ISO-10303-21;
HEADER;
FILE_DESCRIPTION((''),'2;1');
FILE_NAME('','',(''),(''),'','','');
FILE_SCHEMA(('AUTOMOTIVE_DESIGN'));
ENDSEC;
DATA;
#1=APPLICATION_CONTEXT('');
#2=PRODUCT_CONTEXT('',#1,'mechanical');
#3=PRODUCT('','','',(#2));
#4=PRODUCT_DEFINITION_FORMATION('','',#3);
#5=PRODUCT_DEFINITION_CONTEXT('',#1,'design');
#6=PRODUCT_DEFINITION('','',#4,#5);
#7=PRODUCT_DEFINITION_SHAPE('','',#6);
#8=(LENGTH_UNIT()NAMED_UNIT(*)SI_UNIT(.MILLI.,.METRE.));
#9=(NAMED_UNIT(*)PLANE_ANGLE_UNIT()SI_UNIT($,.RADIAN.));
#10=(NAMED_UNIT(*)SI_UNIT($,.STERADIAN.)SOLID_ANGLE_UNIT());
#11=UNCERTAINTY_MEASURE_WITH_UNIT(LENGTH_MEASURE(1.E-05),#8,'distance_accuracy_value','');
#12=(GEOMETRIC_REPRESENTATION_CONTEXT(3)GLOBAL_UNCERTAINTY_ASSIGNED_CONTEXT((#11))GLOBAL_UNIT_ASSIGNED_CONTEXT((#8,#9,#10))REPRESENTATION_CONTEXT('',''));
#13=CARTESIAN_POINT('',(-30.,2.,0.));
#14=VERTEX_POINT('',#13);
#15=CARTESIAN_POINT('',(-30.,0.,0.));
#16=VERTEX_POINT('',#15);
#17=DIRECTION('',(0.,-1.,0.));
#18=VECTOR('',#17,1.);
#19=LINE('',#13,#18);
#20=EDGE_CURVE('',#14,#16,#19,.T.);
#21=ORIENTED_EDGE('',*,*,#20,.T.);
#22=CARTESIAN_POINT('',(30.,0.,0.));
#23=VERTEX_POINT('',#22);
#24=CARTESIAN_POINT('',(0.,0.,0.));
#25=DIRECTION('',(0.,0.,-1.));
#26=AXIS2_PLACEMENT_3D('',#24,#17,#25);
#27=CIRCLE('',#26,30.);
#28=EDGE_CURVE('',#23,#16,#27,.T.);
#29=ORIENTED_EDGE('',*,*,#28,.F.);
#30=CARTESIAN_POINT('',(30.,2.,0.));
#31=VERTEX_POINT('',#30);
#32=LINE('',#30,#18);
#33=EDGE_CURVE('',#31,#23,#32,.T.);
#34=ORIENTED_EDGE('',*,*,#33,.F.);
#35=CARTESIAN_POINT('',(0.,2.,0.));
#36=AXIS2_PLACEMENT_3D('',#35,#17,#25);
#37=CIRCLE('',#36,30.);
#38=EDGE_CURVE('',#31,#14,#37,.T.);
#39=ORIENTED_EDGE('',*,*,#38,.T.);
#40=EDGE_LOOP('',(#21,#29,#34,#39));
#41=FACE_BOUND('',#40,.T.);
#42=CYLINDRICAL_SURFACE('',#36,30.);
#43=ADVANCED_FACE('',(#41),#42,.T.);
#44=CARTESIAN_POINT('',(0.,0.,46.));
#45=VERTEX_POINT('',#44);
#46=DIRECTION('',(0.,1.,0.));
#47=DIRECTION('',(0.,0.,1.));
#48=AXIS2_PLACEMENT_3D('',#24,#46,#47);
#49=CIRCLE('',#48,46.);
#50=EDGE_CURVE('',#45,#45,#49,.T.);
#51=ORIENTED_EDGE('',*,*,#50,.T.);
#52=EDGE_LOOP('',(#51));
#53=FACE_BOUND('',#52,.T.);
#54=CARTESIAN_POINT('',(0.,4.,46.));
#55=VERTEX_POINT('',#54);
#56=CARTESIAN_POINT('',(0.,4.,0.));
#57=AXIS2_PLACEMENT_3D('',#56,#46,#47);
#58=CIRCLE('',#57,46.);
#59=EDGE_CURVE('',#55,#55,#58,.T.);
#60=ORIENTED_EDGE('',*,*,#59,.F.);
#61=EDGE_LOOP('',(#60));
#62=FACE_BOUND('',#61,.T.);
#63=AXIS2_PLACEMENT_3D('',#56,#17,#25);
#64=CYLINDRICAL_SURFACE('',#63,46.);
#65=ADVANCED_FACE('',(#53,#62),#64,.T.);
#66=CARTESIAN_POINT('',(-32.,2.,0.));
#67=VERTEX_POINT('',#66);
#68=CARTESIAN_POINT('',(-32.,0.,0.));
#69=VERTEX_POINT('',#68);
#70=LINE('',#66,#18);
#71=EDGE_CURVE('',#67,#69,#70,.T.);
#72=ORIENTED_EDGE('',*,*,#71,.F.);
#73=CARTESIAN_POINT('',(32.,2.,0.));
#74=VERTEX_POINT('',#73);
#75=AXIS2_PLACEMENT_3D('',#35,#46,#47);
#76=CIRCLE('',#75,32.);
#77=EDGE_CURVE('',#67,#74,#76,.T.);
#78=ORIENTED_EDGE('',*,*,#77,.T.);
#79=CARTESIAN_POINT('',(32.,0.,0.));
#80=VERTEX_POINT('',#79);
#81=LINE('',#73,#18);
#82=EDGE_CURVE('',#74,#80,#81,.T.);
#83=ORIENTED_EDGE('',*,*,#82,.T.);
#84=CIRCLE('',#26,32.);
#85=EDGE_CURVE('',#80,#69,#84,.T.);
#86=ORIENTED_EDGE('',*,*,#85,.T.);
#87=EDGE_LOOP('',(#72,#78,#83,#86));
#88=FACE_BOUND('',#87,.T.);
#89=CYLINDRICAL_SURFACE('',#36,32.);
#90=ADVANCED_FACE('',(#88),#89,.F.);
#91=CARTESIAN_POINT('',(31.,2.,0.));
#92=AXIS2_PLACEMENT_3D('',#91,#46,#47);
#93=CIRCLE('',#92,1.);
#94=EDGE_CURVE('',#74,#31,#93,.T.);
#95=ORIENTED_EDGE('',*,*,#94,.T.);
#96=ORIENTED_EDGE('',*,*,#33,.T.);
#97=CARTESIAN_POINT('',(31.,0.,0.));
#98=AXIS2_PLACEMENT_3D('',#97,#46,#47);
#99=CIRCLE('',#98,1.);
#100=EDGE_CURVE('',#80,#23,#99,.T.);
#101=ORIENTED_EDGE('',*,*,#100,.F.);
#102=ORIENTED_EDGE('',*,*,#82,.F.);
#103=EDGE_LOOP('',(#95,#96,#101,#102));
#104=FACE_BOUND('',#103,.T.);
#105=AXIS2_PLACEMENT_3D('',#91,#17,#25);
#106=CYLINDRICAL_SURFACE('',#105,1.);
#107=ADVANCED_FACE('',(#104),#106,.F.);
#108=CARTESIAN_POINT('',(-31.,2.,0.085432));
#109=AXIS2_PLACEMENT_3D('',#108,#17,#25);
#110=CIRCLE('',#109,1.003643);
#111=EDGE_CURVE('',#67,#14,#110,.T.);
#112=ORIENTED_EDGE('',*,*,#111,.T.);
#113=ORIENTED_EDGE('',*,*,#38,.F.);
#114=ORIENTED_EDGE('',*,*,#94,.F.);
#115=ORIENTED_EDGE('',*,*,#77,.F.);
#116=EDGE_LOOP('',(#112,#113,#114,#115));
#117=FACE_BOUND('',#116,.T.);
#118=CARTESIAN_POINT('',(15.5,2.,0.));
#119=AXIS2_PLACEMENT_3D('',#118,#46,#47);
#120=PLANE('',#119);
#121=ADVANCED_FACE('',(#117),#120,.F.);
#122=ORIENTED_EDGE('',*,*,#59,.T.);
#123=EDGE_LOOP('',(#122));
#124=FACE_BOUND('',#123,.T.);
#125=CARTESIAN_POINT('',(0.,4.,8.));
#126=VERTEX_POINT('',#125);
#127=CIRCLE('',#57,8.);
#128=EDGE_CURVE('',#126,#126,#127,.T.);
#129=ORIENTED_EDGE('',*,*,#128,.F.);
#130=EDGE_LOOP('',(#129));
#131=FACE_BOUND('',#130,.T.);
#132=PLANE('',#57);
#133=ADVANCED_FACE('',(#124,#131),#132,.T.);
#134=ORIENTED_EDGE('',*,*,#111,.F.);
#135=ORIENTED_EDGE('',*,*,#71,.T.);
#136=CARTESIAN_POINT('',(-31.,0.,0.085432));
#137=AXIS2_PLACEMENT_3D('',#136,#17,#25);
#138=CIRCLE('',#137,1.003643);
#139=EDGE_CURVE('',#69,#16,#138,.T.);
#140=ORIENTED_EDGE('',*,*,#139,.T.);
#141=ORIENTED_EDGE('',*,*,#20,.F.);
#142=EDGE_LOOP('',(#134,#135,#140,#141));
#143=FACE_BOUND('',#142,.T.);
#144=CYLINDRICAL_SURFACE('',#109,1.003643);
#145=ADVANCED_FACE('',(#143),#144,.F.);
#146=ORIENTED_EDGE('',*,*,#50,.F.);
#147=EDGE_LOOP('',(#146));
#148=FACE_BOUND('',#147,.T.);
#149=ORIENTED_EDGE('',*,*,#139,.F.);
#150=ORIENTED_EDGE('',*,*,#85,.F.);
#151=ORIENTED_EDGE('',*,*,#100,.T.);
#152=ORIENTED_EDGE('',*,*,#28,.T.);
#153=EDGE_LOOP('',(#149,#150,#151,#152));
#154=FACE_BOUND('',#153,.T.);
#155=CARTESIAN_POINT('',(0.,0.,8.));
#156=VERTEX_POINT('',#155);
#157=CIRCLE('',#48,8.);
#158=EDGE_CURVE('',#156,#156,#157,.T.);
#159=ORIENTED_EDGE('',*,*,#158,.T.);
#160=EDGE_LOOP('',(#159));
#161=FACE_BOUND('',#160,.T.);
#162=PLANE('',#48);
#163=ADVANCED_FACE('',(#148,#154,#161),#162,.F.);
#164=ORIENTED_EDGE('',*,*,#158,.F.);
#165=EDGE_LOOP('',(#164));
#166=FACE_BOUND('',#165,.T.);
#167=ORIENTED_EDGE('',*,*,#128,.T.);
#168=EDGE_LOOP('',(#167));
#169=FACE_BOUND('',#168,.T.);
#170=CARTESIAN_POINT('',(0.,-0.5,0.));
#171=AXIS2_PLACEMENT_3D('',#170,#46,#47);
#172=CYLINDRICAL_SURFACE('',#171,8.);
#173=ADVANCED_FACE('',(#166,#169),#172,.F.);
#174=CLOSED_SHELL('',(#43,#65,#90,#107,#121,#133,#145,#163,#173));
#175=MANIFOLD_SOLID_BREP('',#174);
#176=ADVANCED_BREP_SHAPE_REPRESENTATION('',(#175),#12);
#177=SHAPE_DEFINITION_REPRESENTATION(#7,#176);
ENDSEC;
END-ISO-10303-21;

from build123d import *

# Parameters (mm, degrees)
ESQUISSE1_R             = 46
BOSS_EXTRU_1_DEPTH      = 4
ESQUISSE2_R             = 8
ENL_V_MAT_EXTRU_1_DEPTH = 4.5
ENL_V_MAT_EXTRU_2_DEPTH = 2


with BuildPart() as part:
    # Esquisse1 → Boss.-Extru.1 (new body)
    with BuildSketch(Plane(origin=(0, 0, 0), x_dir=(1, 0, 0), z_dir=(0, 1, 0))):
        with Locations(Location((0, 0, 0), (0, 0, 270))):
            Circle(ESQUISSE1_R)
    extrude(amount=BOSS_EXTRU_1_DEPTH)

    # Esquisse2 → Enlèv. mat.-Extru.1 (cut)
    with BuildSketch(Plane(origin=(0, 4, 0), x_dir=(1, 0, 0), z_dir=(0, 1, 0))):
        with Locations(Location((0, 0, 0), (0, 0, 270))):
            Circle(ESQUISSE2_R)
    extrude(amount=-ENL_V_MAT_EXTRU_1_DEPTH, mode=Mode.SUBTRACT)

    # Esquisse3 → Enlèv. mat.-Extru.2 (cut)
    with BuildSketch(Plane(origin=(0, 0, 0), x_dir=(-1, 0, 0), z_dir=(0, -1, 0))):
        with BuildLine():
            ThreePointArc((0, -32), (22.627416998, -22.627416998), (32, 0))
            ThreePointArc((32, 0), (31, 0.918210565), (30, 0))
            ThreePointArc((30, 0), (0, -30), (-30, 0))
            ThreePointArc((-30, 0), (-31, 1), (-32, 0))
            ThreePointArc((-32, 0), (-22.627416998, -22.627416998), (0, -32))
        make_face()
    extrude(amount=-ENL_V_MAT_EXTRU_2_DEPTH, mode=Mode.SUBTRACT)


solid = part.part
